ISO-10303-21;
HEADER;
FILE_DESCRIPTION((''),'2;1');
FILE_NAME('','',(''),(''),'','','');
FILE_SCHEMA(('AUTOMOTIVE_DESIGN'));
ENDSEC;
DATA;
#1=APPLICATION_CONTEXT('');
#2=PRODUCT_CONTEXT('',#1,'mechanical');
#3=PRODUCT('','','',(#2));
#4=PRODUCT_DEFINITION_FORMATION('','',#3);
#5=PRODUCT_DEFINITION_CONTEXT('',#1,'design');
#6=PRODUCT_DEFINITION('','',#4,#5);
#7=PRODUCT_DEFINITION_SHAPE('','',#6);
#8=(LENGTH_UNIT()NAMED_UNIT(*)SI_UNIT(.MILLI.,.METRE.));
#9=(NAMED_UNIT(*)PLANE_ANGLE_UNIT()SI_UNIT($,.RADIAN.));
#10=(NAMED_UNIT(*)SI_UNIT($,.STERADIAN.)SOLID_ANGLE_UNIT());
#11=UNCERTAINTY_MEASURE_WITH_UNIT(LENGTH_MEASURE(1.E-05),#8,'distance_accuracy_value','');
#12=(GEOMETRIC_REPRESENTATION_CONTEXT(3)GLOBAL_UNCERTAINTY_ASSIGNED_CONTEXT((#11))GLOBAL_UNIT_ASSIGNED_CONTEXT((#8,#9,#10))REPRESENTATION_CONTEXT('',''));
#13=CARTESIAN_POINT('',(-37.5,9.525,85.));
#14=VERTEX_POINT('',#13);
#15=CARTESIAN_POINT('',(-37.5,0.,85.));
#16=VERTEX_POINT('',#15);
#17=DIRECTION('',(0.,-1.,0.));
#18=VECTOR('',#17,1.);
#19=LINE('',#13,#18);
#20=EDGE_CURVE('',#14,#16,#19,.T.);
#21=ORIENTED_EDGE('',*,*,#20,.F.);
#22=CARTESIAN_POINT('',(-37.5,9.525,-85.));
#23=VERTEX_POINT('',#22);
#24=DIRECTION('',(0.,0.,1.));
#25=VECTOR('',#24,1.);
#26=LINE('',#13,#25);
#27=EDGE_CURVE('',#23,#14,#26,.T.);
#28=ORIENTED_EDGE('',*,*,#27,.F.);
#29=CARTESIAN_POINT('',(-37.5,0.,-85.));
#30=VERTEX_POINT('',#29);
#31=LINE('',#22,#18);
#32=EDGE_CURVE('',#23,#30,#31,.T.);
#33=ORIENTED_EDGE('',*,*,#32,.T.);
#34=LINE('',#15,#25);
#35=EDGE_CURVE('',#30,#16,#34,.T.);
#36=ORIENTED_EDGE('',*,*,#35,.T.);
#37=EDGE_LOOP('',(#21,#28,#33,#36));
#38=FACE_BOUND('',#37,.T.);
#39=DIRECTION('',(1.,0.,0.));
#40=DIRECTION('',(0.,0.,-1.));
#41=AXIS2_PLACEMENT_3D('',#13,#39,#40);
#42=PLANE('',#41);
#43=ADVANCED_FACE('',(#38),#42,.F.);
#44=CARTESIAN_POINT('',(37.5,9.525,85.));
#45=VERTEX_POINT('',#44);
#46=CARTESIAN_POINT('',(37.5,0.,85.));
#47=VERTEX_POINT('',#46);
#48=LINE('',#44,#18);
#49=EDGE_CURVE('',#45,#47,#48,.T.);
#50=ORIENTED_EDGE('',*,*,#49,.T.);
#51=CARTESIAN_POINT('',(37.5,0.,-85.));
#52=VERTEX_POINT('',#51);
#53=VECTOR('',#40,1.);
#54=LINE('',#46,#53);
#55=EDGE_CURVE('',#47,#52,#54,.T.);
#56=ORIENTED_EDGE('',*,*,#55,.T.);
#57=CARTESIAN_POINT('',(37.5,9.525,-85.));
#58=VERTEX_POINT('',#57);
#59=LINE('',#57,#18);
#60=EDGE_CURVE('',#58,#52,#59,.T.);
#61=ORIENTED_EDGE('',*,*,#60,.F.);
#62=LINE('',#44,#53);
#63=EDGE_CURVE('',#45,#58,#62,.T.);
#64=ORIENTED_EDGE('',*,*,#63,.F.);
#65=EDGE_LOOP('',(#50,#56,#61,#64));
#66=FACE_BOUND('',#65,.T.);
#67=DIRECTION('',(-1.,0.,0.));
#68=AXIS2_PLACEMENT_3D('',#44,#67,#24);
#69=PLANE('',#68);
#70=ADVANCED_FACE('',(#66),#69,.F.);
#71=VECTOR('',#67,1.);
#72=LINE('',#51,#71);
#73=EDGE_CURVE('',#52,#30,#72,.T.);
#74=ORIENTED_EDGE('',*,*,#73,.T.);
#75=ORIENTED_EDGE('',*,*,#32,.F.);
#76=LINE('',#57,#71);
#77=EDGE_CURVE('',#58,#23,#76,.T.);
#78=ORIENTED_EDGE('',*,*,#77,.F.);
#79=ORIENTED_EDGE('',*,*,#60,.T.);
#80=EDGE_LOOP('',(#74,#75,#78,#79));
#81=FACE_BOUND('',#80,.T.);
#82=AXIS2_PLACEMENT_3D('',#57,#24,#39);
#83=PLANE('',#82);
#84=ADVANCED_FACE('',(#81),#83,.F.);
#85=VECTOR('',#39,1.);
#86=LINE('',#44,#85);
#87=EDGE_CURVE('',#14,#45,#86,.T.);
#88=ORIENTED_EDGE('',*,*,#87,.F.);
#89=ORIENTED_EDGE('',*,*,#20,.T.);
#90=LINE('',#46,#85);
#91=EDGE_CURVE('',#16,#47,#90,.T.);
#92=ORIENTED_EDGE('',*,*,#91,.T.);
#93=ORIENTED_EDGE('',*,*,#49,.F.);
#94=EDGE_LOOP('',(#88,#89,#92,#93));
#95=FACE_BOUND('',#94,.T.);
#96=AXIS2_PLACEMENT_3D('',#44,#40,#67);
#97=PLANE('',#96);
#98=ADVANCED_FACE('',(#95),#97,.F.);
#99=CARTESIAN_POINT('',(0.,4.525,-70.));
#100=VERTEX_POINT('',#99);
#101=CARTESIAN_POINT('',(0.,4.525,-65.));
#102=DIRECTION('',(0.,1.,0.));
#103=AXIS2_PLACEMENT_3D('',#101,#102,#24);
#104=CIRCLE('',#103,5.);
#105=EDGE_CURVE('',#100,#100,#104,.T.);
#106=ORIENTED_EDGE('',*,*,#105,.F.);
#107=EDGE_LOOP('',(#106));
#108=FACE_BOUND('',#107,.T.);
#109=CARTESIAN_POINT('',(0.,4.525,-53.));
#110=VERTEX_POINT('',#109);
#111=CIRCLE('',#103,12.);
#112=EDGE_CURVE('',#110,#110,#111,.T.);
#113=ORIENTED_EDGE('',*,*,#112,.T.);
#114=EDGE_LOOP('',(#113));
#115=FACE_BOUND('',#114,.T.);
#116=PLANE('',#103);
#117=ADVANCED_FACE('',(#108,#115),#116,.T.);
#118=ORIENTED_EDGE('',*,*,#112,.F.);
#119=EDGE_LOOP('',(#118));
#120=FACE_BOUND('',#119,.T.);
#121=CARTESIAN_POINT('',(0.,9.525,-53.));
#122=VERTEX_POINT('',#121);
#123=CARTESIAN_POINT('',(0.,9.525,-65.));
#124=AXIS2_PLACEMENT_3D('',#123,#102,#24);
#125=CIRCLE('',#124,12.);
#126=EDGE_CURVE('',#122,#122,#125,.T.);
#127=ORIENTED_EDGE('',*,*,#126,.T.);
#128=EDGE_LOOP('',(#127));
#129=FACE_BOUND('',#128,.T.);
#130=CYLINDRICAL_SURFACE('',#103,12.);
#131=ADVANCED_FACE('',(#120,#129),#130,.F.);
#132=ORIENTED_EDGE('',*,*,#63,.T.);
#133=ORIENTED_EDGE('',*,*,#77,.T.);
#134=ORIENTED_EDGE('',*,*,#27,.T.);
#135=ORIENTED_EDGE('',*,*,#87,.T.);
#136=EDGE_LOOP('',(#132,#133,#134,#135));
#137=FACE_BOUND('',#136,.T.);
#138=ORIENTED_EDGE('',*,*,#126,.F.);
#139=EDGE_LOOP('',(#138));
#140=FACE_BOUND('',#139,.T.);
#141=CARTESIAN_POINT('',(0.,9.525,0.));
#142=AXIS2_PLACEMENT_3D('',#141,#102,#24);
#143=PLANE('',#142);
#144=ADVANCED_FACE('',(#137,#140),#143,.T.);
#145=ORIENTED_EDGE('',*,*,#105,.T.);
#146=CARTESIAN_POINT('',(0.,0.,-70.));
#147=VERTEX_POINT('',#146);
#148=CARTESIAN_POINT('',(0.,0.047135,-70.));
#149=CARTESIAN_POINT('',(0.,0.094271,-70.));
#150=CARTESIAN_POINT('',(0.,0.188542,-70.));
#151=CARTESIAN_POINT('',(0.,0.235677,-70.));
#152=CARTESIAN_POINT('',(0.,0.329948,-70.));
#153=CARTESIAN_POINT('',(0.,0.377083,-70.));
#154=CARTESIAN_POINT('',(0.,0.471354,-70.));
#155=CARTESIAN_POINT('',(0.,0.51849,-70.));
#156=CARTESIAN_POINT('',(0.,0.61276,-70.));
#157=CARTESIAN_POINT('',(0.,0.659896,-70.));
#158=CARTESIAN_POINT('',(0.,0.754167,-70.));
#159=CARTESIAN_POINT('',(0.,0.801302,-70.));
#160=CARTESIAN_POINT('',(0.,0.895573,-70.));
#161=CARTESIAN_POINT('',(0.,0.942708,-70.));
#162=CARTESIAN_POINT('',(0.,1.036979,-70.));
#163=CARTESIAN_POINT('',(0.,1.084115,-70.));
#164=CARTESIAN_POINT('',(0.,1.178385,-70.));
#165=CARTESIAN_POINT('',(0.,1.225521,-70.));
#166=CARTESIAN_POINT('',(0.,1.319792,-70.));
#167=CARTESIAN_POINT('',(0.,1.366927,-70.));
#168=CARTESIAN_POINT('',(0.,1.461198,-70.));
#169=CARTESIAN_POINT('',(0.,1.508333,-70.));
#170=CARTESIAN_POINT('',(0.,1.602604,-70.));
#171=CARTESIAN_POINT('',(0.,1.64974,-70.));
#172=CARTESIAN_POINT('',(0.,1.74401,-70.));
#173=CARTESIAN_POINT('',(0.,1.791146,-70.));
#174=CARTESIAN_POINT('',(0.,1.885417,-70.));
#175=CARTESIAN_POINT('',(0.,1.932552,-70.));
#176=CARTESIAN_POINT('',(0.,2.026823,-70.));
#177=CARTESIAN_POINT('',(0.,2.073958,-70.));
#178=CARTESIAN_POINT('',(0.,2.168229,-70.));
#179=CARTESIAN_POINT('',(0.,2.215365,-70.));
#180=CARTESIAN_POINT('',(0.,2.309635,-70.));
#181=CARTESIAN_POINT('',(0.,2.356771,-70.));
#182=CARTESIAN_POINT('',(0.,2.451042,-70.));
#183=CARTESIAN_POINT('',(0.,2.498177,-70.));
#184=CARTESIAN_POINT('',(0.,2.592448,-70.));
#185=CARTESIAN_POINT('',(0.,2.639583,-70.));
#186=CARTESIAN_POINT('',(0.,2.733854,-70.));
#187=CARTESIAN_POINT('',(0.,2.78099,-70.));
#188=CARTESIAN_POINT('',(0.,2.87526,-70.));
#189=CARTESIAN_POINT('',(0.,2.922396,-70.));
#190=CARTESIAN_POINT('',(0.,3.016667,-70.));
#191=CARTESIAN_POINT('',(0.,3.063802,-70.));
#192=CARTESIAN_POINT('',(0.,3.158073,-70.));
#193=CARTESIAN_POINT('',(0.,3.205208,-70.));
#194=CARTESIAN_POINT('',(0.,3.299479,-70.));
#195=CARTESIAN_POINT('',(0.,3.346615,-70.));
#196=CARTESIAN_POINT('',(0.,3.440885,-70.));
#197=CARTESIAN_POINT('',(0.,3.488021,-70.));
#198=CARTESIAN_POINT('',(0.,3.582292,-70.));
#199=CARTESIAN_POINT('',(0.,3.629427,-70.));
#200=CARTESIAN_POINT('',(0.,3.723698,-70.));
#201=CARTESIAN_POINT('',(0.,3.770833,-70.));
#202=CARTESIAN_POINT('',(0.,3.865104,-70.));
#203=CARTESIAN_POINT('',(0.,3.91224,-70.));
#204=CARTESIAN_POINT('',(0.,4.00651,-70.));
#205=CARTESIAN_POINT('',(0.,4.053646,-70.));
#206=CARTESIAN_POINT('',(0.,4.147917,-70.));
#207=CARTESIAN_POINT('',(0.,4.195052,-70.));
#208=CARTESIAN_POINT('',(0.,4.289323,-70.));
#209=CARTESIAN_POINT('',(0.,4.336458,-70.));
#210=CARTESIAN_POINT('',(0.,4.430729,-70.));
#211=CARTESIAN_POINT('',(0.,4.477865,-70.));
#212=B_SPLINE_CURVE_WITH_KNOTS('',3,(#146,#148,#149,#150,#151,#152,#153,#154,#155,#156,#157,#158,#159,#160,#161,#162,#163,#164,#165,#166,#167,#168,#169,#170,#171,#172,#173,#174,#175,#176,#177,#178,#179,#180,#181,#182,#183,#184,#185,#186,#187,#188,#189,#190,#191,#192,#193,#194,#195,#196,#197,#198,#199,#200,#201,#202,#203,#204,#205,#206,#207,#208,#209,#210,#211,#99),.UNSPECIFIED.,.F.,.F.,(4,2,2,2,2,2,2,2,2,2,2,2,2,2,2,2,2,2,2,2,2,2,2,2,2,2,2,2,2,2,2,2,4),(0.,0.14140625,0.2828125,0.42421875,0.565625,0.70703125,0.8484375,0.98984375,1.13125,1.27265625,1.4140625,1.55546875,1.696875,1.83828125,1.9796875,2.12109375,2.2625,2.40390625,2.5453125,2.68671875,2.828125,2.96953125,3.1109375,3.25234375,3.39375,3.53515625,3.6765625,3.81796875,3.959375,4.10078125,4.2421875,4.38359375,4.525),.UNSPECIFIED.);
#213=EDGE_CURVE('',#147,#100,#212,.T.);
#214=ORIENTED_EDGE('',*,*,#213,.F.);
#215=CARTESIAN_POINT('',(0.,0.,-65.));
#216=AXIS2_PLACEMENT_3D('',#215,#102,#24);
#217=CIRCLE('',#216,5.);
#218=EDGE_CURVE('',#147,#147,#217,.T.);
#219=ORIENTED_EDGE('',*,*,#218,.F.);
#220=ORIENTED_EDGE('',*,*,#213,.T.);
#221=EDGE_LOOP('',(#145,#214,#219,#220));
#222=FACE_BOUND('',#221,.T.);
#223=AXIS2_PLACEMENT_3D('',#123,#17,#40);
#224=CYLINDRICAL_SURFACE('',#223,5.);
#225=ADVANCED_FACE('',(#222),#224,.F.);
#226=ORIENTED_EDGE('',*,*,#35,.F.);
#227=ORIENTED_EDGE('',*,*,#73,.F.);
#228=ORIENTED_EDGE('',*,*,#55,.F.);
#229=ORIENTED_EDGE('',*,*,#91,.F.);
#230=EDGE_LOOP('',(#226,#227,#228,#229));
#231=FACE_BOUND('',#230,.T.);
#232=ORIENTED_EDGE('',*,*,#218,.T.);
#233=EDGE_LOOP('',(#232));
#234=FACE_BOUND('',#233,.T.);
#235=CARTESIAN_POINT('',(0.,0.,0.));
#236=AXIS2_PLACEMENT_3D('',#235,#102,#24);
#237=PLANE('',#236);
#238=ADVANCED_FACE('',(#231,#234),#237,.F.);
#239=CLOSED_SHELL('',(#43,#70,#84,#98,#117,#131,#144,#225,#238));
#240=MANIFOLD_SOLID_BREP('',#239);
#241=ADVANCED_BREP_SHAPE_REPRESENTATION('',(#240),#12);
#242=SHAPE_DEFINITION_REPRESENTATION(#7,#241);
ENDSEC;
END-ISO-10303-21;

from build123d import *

# Parameters (mm, degrees)
CROQUIS1_W              = 75
CROQUIS1_H              = 170
CROQUIS1_R              = 5
SALIENTE_EXTRUIR1_DEPTH = 9.525
CROQUIS2_R              = 12
CORTAR_EXTRUIR1_DEPTH   = 5


with BuildPart() as part:
    # Croquis1 → Saliente-Extruir1 (new body)
    with BuildSketch(Plane(origin=(0, 0, 0), x_dir=(1, 0, 0), z_dir=(0, 1, 0))):
        Rectangle(CROQUIS1_W, CROQUIS1_H)
        with Locations(Location((0, 65, 0), (0, 0, 90))):
            Circle(CROQUIS1_R, mode=Mode.SUBTRACT)
    extrude(amount=SALIENTE_EXTRUIR1_DEPTH)

    # Croquis2 → Cortar-Extruir1 (cut)
    with BuildSketch(Plane(origin=(0, 9.525, 0), x_dir=(1, 0, 0), z_dir=(0, 1, 0))):
        with Locations(Location((0, 65, 0), (0, 0, 270))):
            Circle(CROQUIS2_R)
    extrude(amount=-CORTAR_EXTRUIR1_DEPTH, mode=Mode.SUBTRACT)


solid = part.part
